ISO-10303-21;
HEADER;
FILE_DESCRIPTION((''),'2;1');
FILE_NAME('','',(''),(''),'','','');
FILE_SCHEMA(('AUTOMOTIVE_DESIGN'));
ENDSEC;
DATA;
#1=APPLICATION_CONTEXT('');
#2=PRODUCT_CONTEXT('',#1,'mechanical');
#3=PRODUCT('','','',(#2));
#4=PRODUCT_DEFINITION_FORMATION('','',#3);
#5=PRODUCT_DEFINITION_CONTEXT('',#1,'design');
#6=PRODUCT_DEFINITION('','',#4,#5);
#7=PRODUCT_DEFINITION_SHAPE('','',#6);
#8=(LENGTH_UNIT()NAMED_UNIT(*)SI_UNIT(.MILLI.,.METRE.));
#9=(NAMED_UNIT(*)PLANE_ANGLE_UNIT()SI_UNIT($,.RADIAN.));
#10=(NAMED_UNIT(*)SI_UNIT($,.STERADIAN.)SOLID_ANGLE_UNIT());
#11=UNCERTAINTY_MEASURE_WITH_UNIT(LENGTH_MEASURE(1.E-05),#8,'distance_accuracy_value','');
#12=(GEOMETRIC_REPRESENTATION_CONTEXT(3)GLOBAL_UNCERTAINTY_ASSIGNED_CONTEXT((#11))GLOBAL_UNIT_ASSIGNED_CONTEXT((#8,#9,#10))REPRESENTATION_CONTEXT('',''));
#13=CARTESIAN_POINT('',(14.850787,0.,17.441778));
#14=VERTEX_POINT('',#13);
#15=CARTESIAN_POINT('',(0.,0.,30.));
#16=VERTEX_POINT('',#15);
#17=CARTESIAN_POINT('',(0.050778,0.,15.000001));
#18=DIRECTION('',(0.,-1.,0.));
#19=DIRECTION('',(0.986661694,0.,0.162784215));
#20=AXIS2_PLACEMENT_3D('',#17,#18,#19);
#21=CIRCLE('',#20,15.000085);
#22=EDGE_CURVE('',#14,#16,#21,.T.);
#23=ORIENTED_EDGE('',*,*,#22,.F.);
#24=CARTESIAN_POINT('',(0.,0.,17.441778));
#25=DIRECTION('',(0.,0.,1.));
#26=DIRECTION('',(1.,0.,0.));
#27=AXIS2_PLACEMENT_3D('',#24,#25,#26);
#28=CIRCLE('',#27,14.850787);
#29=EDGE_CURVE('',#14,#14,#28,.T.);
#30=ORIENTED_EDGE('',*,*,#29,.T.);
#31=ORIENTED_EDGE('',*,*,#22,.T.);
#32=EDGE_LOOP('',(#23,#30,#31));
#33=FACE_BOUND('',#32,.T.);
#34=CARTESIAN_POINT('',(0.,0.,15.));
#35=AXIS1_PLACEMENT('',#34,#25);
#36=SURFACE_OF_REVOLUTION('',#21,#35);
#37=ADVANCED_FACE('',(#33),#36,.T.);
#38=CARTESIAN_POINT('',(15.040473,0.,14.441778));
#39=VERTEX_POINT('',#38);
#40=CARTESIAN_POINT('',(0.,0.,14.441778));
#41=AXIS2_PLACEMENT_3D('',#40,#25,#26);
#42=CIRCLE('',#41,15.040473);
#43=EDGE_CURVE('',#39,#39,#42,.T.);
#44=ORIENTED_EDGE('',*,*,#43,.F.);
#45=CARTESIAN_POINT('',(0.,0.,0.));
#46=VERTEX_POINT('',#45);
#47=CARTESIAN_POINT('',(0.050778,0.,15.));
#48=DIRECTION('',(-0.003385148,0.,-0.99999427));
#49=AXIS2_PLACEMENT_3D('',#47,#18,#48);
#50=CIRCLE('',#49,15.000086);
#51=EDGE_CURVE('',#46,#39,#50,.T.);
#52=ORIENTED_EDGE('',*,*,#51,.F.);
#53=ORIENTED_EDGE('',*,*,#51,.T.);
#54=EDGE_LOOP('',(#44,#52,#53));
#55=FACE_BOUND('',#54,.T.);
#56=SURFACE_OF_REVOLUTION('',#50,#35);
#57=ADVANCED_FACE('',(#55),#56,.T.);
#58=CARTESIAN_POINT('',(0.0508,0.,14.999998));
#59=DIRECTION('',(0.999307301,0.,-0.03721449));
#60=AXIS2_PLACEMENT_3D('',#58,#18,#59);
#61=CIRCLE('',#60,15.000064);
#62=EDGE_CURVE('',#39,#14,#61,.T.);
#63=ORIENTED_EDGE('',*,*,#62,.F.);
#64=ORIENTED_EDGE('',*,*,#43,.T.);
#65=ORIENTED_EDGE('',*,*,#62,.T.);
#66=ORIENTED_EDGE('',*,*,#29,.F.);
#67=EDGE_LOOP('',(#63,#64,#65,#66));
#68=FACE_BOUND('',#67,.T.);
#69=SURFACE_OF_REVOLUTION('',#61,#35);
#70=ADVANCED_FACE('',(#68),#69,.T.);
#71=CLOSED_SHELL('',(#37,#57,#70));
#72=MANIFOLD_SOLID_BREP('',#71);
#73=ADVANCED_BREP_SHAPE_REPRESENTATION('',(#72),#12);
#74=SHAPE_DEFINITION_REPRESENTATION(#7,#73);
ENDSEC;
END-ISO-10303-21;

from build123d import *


with BuildPart() as f1:
    # F0 (on Front) → F1 (revolve)
    with BuildSketch(Plane.XZ):
        with BuildLine():
            Line((12.310787, 14.441778), (15.040473, 14.441778))
            ThreePointArc((15.040473, 14.441778), (15.020969, 15.946542), (14.850787, 17.441778))
            Line((14.850787, 17.441778), (12.310787, 17.441778))
            Line((12.310787, 17.441778), (12.310787, 14.441778))
        make_face()
        with BuildLine():
            Line((0, 30), (0, 0))
            ThreePointArc((0, 0), (10.439909, 4.180179), (15.040473, 14.441778))
            Line((15.040473, 14.441778), (12.310787, 14.441778))
            Line((12.310787, 14.441778), (12.310787, 17.441778))
            Line((12.310787, 17.441778), (14.850787, 17.441778))
            ThreePointArc((14.850787, 17.441778), (9.736447, 26.453837), (0, 30))
        make_face()
    revolve(axis=Axis((0, 0, 15), (0, 0, 1)))


solid = f1.part
